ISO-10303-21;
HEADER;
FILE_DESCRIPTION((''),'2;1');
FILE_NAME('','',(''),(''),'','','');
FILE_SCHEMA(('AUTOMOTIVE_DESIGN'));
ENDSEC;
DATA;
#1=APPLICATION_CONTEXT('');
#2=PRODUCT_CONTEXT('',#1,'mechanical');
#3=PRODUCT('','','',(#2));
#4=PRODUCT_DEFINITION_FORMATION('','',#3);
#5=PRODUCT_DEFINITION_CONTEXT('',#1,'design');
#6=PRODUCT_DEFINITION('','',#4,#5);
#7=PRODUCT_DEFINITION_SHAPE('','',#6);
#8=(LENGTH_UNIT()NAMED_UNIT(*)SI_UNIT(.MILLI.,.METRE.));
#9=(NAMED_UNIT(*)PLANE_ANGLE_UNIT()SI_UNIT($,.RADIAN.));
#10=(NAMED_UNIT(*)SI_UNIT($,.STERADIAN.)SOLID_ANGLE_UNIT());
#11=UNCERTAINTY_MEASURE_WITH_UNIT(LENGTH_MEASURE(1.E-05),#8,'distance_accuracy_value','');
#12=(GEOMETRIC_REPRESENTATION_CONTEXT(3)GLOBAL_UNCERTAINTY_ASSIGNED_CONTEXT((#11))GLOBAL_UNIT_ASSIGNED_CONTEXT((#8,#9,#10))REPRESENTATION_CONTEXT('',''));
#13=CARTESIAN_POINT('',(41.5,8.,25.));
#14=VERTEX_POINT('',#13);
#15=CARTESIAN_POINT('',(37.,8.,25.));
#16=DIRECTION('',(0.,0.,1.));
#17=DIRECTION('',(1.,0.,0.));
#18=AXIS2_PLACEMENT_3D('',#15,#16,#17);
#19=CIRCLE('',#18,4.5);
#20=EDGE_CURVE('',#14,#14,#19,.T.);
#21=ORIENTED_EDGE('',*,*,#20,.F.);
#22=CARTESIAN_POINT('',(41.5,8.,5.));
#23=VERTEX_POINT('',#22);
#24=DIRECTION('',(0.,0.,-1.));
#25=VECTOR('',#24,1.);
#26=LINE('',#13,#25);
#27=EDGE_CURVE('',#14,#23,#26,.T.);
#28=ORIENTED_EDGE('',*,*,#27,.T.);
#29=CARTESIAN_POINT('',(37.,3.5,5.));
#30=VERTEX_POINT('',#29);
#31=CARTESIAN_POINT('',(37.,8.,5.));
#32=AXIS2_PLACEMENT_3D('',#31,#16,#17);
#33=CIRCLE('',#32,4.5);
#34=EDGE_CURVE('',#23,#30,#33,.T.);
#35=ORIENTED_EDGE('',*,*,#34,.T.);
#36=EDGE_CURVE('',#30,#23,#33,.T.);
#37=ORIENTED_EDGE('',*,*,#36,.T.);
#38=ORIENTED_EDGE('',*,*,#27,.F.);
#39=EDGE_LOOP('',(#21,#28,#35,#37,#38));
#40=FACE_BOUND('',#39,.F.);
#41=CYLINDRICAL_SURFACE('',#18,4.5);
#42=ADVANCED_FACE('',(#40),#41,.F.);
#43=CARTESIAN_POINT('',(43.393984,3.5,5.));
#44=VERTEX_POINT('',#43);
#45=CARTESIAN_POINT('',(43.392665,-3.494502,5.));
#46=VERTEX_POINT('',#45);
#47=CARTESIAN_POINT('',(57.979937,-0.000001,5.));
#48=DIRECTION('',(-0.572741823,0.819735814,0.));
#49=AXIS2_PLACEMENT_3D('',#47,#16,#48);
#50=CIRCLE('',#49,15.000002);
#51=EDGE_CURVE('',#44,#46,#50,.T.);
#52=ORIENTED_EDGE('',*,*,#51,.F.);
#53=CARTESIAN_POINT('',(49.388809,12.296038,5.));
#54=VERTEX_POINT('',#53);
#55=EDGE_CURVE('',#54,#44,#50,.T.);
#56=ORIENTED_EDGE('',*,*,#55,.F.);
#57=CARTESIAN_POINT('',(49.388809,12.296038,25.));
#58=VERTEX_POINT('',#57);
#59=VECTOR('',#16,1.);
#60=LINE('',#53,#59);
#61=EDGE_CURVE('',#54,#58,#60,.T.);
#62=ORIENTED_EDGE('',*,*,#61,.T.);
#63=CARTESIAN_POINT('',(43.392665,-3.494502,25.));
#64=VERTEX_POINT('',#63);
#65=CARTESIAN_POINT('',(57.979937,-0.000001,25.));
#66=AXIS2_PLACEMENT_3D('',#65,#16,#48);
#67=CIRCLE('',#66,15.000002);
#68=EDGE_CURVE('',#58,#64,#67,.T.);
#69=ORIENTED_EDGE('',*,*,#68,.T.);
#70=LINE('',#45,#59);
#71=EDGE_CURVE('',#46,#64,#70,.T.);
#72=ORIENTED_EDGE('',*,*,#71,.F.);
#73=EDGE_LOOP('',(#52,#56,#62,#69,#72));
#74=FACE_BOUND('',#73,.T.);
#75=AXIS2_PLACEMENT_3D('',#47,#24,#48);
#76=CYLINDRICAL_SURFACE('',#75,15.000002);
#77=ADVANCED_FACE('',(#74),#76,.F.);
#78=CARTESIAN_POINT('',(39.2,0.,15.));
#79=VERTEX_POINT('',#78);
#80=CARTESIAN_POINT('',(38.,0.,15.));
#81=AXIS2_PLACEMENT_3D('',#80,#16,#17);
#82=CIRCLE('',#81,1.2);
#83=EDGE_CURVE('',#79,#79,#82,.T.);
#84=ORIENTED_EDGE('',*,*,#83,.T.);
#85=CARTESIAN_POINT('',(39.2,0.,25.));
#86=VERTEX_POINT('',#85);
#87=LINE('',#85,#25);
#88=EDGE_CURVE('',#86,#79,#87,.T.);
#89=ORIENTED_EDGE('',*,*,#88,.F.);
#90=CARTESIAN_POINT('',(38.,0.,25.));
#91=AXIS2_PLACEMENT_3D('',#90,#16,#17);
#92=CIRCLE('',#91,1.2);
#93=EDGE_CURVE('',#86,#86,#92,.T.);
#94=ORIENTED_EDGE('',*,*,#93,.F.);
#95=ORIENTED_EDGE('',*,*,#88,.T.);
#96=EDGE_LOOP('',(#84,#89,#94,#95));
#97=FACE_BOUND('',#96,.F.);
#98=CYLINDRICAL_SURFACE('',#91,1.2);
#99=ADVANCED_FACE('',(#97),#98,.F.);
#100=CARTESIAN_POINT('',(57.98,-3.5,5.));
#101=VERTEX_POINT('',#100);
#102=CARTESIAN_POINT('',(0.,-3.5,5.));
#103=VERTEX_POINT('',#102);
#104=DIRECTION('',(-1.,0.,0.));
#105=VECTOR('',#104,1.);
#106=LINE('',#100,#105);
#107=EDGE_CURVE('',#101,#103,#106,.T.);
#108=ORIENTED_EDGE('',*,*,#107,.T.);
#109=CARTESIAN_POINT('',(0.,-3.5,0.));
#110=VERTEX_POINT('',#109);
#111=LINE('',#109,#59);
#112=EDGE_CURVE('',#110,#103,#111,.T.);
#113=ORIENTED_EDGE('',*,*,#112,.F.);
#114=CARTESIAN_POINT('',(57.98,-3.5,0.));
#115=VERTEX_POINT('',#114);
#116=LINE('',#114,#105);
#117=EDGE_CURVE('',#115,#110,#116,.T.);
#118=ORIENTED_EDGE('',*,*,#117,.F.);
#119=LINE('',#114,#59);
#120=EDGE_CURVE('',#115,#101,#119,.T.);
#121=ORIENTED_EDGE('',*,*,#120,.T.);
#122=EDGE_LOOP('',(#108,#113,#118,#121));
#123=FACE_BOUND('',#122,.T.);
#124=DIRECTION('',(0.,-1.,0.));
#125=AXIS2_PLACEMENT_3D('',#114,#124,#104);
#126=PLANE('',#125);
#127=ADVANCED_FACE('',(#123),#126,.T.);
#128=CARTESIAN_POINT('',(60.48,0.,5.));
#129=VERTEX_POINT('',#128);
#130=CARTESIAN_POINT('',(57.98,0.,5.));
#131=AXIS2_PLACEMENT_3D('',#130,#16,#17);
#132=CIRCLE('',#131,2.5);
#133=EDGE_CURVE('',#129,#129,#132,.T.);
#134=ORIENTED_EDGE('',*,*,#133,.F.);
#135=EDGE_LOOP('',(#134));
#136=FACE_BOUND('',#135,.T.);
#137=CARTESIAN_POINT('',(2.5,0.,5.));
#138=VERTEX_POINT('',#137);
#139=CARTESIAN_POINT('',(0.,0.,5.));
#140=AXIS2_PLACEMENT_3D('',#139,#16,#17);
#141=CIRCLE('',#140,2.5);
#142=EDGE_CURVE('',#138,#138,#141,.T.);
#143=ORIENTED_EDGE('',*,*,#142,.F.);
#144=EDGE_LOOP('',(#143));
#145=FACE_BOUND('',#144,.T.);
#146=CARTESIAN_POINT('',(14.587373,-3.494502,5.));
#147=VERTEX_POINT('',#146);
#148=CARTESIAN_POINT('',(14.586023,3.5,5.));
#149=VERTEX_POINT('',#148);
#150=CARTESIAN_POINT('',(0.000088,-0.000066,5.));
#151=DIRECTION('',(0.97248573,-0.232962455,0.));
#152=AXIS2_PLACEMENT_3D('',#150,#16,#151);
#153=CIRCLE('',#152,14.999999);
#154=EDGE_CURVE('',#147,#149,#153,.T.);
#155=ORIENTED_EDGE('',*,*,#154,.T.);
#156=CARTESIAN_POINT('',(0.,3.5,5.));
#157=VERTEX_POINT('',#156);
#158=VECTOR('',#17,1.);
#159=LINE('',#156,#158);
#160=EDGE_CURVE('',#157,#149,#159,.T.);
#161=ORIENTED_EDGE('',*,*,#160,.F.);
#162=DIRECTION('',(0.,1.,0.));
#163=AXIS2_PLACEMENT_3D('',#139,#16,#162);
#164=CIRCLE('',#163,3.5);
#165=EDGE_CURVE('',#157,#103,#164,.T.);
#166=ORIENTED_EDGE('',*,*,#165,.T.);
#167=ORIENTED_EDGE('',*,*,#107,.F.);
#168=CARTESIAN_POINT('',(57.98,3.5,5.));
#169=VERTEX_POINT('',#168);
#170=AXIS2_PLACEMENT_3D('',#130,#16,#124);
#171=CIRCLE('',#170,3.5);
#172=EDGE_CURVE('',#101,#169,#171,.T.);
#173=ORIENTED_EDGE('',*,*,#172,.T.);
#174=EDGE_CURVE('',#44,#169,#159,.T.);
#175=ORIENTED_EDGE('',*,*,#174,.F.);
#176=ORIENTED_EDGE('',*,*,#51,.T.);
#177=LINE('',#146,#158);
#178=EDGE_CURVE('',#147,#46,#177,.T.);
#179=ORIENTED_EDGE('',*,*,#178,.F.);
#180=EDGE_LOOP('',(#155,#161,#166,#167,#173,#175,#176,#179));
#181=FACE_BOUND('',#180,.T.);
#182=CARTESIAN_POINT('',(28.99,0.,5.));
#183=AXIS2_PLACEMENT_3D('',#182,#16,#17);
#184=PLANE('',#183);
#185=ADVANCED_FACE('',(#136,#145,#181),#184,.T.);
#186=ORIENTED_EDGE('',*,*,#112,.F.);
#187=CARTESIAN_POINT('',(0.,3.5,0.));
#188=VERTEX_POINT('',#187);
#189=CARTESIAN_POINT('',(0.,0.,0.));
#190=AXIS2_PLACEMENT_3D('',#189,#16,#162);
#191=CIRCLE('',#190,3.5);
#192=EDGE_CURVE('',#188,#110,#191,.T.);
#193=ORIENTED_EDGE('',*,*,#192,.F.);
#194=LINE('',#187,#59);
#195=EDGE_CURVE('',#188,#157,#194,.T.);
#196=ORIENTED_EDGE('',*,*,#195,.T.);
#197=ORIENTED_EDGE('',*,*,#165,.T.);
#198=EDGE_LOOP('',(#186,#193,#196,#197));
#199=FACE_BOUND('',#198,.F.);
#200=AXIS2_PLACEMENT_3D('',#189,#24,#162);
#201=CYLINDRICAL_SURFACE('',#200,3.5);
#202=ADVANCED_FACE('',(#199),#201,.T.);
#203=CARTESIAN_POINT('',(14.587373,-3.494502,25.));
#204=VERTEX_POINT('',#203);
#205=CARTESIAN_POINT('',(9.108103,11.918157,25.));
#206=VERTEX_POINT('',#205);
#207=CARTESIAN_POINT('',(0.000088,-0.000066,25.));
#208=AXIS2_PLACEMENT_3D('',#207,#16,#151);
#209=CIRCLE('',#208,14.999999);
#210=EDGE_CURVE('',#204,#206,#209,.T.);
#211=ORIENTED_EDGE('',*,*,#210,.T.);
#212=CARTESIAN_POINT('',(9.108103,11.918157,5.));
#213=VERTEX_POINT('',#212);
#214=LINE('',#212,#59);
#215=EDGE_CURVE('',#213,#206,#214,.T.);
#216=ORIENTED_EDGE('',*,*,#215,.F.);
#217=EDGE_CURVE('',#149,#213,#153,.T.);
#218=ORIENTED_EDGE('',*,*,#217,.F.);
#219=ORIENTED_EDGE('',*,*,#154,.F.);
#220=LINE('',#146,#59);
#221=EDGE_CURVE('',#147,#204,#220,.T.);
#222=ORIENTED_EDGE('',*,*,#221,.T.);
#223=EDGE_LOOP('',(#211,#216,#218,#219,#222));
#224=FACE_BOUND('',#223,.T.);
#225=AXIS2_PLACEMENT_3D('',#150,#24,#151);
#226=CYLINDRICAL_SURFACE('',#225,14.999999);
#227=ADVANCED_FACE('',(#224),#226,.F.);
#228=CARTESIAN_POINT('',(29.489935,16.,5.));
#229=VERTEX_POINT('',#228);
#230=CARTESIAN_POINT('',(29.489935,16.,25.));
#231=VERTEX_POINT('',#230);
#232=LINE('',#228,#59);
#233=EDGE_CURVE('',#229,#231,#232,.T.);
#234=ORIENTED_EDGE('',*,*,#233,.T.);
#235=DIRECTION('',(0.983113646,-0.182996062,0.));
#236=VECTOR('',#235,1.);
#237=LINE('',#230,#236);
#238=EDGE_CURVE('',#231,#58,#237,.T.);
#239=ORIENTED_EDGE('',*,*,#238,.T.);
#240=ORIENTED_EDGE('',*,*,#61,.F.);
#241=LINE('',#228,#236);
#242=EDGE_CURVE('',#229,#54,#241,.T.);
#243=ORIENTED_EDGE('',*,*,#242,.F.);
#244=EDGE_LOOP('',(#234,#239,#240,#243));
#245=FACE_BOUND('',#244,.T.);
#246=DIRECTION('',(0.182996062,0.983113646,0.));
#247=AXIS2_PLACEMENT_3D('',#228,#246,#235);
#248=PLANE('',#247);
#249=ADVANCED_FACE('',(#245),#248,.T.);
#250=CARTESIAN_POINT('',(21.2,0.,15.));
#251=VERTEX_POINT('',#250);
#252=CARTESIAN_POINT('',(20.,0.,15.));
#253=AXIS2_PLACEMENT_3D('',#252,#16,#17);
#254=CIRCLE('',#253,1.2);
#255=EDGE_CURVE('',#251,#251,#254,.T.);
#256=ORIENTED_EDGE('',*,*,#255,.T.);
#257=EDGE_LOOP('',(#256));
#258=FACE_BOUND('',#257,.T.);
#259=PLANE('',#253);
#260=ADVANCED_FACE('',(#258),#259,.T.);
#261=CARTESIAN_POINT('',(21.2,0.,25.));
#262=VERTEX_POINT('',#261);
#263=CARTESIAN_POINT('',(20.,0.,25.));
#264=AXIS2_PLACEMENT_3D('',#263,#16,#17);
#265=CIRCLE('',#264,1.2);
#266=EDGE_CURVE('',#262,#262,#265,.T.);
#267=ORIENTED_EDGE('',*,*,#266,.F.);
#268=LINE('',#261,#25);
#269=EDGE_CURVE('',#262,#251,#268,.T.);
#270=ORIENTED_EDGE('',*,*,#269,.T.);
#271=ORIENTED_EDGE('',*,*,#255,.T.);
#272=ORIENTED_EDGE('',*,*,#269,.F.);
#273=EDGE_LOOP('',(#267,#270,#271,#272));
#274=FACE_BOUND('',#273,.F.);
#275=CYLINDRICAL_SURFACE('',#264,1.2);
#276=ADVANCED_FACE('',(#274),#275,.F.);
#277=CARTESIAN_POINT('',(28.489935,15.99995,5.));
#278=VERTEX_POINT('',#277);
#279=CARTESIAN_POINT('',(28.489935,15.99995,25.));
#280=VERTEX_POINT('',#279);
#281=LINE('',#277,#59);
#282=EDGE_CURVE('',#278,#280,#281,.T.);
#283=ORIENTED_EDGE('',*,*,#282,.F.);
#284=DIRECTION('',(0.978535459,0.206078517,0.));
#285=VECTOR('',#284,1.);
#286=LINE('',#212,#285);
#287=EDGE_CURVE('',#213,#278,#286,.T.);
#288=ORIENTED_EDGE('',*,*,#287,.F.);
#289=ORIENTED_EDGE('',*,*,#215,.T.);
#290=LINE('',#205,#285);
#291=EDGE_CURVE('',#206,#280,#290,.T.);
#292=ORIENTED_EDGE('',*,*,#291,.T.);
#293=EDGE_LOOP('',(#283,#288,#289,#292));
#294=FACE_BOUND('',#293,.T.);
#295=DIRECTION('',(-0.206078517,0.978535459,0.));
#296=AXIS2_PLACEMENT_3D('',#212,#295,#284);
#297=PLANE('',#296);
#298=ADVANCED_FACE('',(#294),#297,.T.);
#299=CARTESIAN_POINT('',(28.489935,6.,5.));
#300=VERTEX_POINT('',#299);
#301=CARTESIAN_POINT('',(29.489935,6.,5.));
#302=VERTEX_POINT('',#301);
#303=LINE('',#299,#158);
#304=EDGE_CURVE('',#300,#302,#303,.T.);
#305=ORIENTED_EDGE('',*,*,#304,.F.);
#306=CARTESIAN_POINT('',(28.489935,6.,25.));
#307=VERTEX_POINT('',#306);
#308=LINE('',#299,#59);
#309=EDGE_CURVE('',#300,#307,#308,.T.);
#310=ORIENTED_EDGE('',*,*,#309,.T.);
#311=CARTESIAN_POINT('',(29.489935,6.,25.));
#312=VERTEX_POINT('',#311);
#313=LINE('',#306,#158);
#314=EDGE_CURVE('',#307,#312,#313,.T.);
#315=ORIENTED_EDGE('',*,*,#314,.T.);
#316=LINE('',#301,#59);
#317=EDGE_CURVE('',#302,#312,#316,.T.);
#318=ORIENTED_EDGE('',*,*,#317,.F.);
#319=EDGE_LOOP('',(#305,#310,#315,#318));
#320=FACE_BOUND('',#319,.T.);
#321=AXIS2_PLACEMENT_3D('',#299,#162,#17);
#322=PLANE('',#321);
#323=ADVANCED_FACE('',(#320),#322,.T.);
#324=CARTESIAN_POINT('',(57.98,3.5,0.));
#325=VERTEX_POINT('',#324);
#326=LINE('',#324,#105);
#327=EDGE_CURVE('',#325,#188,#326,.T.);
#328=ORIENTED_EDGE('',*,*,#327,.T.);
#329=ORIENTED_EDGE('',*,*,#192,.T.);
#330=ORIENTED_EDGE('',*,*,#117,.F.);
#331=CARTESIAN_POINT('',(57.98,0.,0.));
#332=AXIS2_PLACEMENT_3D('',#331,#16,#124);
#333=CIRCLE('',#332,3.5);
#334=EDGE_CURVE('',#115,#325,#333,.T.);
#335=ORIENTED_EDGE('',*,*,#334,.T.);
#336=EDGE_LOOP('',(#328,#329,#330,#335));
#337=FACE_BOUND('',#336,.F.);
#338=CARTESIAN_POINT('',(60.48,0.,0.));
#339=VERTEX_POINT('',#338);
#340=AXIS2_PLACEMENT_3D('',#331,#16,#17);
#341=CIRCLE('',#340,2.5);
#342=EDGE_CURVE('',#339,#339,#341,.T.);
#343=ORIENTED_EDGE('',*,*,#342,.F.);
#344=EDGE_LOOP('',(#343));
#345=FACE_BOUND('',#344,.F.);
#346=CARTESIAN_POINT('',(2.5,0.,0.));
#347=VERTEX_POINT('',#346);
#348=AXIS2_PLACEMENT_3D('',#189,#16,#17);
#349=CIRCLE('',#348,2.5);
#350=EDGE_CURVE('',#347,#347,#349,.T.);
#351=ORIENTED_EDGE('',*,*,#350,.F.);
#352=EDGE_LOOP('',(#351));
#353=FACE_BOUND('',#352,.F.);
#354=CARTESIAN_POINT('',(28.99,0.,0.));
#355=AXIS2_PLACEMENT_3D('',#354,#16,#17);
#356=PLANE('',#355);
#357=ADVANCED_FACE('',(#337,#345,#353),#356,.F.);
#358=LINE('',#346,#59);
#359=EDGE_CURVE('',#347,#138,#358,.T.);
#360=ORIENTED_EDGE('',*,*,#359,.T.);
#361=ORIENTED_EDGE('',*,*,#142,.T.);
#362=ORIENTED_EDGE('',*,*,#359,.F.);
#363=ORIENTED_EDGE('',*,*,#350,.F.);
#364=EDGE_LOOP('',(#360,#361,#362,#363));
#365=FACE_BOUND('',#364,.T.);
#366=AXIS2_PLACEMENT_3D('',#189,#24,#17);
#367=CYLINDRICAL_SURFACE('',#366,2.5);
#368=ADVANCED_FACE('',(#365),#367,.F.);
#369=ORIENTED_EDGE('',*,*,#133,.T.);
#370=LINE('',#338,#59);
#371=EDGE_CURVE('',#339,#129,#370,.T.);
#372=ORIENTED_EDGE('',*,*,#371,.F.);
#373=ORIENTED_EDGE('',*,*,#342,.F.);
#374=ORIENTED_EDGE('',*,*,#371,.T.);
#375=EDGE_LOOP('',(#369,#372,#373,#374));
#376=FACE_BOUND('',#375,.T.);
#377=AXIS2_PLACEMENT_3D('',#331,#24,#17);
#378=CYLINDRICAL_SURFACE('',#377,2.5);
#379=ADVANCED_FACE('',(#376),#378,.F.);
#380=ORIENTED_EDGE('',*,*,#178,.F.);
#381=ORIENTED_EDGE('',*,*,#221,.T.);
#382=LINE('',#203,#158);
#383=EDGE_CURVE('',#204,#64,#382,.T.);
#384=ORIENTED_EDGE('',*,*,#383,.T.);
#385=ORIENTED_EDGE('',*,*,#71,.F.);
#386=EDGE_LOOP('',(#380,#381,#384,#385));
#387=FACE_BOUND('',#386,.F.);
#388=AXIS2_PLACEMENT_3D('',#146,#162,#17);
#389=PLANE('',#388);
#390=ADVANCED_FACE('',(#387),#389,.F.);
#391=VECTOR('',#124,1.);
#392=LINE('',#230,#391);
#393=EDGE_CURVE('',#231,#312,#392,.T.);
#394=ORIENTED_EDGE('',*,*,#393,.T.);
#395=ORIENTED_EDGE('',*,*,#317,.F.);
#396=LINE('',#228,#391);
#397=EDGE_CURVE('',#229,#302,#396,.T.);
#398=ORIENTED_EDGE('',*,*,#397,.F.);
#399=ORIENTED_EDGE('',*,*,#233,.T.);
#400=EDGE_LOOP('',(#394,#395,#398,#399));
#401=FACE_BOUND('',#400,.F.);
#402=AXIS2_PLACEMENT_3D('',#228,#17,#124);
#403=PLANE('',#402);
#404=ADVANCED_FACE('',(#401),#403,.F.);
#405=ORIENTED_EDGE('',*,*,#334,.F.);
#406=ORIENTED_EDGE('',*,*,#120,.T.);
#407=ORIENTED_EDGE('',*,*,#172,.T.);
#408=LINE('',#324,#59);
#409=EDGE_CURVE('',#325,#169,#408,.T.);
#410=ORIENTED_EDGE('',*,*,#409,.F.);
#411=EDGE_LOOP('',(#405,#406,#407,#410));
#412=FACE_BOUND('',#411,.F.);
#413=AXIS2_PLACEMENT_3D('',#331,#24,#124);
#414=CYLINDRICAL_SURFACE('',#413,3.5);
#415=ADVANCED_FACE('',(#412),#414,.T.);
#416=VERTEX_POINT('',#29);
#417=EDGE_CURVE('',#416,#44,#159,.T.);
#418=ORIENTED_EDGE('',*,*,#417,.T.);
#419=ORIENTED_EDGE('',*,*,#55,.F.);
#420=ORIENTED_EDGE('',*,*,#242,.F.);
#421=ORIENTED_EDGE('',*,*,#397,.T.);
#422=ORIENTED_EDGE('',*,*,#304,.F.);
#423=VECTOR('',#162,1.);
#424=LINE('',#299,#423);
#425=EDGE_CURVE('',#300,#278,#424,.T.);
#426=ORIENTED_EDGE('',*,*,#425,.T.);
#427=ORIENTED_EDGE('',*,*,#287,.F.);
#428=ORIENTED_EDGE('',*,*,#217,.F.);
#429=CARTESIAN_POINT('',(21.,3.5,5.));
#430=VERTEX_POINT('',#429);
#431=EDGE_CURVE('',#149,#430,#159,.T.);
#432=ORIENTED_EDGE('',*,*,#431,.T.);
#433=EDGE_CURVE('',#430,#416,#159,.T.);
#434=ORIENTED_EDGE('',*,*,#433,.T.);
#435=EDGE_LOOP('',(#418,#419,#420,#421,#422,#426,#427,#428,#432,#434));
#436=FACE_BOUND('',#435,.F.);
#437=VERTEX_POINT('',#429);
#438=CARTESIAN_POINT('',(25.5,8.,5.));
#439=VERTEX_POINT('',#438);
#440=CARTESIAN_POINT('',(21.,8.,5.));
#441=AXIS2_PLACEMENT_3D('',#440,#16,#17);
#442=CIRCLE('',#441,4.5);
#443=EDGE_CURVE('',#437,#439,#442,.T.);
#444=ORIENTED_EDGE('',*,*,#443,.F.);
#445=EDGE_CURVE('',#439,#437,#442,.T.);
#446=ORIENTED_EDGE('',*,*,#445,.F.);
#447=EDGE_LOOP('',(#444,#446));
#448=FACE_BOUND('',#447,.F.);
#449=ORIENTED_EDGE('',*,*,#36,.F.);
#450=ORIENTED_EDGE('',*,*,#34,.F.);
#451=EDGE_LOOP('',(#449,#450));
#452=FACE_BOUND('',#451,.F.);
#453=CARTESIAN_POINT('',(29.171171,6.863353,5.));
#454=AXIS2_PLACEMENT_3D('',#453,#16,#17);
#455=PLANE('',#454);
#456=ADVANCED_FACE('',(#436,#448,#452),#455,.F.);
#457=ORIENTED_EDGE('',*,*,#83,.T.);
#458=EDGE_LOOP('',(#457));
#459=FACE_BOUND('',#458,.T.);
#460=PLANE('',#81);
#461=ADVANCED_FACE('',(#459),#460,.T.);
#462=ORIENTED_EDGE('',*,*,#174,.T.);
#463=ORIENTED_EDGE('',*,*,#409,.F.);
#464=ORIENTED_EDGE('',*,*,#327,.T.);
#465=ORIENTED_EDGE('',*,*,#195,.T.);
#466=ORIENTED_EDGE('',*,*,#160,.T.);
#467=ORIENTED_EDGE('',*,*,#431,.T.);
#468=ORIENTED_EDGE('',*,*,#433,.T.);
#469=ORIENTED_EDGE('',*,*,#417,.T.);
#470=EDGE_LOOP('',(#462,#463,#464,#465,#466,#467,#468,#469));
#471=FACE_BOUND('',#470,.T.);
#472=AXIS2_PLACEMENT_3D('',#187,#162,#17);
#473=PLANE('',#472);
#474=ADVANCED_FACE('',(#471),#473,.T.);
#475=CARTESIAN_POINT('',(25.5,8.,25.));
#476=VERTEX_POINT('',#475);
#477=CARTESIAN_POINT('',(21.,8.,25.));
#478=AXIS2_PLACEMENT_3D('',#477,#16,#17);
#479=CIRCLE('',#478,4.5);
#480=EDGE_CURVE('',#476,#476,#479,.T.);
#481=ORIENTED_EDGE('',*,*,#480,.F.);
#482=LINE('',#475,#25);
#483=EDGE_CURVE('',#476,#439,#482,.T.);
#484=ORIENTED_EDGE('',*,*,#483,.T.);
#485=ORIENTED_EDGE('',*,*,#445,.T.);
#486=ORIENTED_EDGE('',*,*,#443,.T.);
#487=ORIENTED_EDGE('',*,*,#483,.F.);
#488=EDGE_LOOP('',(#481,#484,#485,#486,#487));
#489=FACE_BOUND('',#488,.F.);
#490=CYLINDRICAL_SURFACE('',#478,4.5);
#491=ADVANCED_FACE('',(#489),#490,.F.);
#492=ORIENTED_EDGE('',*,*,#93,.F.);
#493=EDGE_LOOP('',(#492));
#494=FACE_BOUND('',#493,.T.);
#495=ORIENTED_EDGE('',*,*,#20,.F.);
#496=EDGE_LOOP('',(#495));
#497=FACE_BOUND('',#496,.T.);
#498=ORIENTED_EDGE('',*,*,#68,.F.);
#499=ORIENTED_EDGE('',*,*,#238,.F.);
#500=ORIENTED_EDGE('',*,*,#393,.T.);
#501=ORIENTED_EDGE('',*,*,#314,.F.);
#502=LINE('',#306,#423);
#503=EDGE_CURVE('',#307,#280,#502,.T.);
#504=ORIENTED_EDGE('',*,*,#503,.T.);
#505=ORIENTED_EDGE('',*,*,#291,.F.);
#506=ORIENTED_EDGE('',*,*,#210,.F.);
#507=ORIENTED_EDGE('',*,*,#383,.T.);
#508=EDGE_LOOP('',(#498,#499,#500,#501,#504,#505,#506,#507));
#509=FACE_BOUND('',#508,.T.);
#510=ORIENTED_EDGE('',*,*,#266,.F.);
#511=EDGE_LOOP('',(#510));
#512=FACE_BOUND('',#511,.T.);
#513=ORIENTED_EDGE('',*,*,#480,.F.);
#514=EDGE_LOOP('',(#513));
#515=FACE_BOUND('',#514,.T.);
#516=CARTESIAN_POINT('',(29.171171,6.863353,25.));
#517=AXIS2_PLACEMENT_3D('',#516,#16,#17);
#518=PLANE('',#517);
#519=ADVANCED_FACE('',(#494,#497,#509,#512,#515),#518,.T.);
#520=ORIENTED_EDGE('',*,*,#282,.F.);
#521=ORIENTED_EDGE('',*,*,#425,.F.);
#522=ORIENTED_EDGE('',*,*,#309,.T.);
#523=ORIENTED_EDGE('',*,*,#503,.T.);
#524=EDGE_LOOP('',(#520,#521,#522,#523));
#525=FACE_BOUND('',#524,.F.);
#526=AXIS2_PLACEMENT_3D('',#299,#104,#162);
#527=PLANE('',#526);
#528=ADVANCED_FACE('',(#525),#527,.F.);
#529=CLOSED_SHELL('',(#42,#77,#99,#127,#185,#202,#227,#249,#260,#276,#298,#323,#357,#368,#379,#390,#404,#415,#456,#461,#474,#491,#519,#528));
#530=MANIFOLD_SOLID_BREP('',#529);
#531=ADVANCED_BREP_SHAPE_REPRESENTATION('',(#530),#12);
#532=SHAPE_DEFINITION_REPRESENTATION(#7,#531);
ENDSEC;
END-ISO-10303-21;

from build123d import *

# Parameters (mm, degrees)
SKETCH_R        = 2.5
PAD_DEPTH       = 5
PAD001_DEPTH    = 20
SKETCH002_R     = 1.2
POCKET_DEPTH    = 10
SKETCH003_R     = 4.5
POCKET001_DEPTH = 25.001


with BuildPart() as part:
    # Sketch → Pad (new body)
    with BuildSketch(Plane.XY):
        with BuildLine():
            ThreePointArc((0, 3.5), (-3.5, 0), (0, -3.5))
            Line((57.98, -3.5), (0, -3.5))
            ThreePointArc((57.98, -3.5), (61.48, 0), (57.98, 3.5))
            Line((0, 3.5), (57.98, 3.5))
        make_face()
        Circle(SKETCH_R, mode=Mode.SUBTRACT)
        with Locations((57.98, 0)):
            Circle(SKETCH_R, mode=Mode.SUBTRACT)
    extrude(amount=PAD_DEPTH)

    # Sketch001 (on Face8 of Pad) → Pad001 (join)
    with BuildSketch(Plane.XY.offset(5)):
        with BuildLine():
            Line((29.489935, 16), (29.489935, 6))
            Line((28.489935, 6), (29.489935, 6))
            Line((28.489935, 6), (28.489935, 15.99995))
            Line((9.108103, 11.918157), (28.489935, 15.99995))
            ThreePointArc((14.587373, -3.494502), (14.133535, 5.024439), (9.108103, 11.918157))
            Line((14.587373, -3.494502), (43.392665, -3.494502))
            ThreePointArc((49.388809, 12.296038), (43.956926, 5.32496), (43.392665, -3.494502))
            Line((29.489935, 16), (49.388809, 12.296038))
        make_face()
    extrude(amount=PAD001_DEPTH)

    # Sketch002 (on Face18 of Pad001) → Pocket (cut)
    with BuildSketch(Plane.XY.offset(25)):
        with Locations((20, 0)):
            Circle(SKETCH002_R)
        with Locations((38, 0)):
            Circle(SKETCH002_R)
    extrude(amount=-POCKET_DEPTH, mode=Mode.SUBTRACT)

    # Sketch003 (on Face18 of Pocket) → Pocket001 (cut, through all)
    with BuildSketch(Plane.XY.offset(25)):
        with Locations((21, 8)):
            Circle(SKETCH003_R)
        with Locations((37, 8)):
            Circle(SKETCH003_R)
    extrude(amount=-POCKET001_DEPTH, mode=Mode.SUBTRACT)


solid = part.part
